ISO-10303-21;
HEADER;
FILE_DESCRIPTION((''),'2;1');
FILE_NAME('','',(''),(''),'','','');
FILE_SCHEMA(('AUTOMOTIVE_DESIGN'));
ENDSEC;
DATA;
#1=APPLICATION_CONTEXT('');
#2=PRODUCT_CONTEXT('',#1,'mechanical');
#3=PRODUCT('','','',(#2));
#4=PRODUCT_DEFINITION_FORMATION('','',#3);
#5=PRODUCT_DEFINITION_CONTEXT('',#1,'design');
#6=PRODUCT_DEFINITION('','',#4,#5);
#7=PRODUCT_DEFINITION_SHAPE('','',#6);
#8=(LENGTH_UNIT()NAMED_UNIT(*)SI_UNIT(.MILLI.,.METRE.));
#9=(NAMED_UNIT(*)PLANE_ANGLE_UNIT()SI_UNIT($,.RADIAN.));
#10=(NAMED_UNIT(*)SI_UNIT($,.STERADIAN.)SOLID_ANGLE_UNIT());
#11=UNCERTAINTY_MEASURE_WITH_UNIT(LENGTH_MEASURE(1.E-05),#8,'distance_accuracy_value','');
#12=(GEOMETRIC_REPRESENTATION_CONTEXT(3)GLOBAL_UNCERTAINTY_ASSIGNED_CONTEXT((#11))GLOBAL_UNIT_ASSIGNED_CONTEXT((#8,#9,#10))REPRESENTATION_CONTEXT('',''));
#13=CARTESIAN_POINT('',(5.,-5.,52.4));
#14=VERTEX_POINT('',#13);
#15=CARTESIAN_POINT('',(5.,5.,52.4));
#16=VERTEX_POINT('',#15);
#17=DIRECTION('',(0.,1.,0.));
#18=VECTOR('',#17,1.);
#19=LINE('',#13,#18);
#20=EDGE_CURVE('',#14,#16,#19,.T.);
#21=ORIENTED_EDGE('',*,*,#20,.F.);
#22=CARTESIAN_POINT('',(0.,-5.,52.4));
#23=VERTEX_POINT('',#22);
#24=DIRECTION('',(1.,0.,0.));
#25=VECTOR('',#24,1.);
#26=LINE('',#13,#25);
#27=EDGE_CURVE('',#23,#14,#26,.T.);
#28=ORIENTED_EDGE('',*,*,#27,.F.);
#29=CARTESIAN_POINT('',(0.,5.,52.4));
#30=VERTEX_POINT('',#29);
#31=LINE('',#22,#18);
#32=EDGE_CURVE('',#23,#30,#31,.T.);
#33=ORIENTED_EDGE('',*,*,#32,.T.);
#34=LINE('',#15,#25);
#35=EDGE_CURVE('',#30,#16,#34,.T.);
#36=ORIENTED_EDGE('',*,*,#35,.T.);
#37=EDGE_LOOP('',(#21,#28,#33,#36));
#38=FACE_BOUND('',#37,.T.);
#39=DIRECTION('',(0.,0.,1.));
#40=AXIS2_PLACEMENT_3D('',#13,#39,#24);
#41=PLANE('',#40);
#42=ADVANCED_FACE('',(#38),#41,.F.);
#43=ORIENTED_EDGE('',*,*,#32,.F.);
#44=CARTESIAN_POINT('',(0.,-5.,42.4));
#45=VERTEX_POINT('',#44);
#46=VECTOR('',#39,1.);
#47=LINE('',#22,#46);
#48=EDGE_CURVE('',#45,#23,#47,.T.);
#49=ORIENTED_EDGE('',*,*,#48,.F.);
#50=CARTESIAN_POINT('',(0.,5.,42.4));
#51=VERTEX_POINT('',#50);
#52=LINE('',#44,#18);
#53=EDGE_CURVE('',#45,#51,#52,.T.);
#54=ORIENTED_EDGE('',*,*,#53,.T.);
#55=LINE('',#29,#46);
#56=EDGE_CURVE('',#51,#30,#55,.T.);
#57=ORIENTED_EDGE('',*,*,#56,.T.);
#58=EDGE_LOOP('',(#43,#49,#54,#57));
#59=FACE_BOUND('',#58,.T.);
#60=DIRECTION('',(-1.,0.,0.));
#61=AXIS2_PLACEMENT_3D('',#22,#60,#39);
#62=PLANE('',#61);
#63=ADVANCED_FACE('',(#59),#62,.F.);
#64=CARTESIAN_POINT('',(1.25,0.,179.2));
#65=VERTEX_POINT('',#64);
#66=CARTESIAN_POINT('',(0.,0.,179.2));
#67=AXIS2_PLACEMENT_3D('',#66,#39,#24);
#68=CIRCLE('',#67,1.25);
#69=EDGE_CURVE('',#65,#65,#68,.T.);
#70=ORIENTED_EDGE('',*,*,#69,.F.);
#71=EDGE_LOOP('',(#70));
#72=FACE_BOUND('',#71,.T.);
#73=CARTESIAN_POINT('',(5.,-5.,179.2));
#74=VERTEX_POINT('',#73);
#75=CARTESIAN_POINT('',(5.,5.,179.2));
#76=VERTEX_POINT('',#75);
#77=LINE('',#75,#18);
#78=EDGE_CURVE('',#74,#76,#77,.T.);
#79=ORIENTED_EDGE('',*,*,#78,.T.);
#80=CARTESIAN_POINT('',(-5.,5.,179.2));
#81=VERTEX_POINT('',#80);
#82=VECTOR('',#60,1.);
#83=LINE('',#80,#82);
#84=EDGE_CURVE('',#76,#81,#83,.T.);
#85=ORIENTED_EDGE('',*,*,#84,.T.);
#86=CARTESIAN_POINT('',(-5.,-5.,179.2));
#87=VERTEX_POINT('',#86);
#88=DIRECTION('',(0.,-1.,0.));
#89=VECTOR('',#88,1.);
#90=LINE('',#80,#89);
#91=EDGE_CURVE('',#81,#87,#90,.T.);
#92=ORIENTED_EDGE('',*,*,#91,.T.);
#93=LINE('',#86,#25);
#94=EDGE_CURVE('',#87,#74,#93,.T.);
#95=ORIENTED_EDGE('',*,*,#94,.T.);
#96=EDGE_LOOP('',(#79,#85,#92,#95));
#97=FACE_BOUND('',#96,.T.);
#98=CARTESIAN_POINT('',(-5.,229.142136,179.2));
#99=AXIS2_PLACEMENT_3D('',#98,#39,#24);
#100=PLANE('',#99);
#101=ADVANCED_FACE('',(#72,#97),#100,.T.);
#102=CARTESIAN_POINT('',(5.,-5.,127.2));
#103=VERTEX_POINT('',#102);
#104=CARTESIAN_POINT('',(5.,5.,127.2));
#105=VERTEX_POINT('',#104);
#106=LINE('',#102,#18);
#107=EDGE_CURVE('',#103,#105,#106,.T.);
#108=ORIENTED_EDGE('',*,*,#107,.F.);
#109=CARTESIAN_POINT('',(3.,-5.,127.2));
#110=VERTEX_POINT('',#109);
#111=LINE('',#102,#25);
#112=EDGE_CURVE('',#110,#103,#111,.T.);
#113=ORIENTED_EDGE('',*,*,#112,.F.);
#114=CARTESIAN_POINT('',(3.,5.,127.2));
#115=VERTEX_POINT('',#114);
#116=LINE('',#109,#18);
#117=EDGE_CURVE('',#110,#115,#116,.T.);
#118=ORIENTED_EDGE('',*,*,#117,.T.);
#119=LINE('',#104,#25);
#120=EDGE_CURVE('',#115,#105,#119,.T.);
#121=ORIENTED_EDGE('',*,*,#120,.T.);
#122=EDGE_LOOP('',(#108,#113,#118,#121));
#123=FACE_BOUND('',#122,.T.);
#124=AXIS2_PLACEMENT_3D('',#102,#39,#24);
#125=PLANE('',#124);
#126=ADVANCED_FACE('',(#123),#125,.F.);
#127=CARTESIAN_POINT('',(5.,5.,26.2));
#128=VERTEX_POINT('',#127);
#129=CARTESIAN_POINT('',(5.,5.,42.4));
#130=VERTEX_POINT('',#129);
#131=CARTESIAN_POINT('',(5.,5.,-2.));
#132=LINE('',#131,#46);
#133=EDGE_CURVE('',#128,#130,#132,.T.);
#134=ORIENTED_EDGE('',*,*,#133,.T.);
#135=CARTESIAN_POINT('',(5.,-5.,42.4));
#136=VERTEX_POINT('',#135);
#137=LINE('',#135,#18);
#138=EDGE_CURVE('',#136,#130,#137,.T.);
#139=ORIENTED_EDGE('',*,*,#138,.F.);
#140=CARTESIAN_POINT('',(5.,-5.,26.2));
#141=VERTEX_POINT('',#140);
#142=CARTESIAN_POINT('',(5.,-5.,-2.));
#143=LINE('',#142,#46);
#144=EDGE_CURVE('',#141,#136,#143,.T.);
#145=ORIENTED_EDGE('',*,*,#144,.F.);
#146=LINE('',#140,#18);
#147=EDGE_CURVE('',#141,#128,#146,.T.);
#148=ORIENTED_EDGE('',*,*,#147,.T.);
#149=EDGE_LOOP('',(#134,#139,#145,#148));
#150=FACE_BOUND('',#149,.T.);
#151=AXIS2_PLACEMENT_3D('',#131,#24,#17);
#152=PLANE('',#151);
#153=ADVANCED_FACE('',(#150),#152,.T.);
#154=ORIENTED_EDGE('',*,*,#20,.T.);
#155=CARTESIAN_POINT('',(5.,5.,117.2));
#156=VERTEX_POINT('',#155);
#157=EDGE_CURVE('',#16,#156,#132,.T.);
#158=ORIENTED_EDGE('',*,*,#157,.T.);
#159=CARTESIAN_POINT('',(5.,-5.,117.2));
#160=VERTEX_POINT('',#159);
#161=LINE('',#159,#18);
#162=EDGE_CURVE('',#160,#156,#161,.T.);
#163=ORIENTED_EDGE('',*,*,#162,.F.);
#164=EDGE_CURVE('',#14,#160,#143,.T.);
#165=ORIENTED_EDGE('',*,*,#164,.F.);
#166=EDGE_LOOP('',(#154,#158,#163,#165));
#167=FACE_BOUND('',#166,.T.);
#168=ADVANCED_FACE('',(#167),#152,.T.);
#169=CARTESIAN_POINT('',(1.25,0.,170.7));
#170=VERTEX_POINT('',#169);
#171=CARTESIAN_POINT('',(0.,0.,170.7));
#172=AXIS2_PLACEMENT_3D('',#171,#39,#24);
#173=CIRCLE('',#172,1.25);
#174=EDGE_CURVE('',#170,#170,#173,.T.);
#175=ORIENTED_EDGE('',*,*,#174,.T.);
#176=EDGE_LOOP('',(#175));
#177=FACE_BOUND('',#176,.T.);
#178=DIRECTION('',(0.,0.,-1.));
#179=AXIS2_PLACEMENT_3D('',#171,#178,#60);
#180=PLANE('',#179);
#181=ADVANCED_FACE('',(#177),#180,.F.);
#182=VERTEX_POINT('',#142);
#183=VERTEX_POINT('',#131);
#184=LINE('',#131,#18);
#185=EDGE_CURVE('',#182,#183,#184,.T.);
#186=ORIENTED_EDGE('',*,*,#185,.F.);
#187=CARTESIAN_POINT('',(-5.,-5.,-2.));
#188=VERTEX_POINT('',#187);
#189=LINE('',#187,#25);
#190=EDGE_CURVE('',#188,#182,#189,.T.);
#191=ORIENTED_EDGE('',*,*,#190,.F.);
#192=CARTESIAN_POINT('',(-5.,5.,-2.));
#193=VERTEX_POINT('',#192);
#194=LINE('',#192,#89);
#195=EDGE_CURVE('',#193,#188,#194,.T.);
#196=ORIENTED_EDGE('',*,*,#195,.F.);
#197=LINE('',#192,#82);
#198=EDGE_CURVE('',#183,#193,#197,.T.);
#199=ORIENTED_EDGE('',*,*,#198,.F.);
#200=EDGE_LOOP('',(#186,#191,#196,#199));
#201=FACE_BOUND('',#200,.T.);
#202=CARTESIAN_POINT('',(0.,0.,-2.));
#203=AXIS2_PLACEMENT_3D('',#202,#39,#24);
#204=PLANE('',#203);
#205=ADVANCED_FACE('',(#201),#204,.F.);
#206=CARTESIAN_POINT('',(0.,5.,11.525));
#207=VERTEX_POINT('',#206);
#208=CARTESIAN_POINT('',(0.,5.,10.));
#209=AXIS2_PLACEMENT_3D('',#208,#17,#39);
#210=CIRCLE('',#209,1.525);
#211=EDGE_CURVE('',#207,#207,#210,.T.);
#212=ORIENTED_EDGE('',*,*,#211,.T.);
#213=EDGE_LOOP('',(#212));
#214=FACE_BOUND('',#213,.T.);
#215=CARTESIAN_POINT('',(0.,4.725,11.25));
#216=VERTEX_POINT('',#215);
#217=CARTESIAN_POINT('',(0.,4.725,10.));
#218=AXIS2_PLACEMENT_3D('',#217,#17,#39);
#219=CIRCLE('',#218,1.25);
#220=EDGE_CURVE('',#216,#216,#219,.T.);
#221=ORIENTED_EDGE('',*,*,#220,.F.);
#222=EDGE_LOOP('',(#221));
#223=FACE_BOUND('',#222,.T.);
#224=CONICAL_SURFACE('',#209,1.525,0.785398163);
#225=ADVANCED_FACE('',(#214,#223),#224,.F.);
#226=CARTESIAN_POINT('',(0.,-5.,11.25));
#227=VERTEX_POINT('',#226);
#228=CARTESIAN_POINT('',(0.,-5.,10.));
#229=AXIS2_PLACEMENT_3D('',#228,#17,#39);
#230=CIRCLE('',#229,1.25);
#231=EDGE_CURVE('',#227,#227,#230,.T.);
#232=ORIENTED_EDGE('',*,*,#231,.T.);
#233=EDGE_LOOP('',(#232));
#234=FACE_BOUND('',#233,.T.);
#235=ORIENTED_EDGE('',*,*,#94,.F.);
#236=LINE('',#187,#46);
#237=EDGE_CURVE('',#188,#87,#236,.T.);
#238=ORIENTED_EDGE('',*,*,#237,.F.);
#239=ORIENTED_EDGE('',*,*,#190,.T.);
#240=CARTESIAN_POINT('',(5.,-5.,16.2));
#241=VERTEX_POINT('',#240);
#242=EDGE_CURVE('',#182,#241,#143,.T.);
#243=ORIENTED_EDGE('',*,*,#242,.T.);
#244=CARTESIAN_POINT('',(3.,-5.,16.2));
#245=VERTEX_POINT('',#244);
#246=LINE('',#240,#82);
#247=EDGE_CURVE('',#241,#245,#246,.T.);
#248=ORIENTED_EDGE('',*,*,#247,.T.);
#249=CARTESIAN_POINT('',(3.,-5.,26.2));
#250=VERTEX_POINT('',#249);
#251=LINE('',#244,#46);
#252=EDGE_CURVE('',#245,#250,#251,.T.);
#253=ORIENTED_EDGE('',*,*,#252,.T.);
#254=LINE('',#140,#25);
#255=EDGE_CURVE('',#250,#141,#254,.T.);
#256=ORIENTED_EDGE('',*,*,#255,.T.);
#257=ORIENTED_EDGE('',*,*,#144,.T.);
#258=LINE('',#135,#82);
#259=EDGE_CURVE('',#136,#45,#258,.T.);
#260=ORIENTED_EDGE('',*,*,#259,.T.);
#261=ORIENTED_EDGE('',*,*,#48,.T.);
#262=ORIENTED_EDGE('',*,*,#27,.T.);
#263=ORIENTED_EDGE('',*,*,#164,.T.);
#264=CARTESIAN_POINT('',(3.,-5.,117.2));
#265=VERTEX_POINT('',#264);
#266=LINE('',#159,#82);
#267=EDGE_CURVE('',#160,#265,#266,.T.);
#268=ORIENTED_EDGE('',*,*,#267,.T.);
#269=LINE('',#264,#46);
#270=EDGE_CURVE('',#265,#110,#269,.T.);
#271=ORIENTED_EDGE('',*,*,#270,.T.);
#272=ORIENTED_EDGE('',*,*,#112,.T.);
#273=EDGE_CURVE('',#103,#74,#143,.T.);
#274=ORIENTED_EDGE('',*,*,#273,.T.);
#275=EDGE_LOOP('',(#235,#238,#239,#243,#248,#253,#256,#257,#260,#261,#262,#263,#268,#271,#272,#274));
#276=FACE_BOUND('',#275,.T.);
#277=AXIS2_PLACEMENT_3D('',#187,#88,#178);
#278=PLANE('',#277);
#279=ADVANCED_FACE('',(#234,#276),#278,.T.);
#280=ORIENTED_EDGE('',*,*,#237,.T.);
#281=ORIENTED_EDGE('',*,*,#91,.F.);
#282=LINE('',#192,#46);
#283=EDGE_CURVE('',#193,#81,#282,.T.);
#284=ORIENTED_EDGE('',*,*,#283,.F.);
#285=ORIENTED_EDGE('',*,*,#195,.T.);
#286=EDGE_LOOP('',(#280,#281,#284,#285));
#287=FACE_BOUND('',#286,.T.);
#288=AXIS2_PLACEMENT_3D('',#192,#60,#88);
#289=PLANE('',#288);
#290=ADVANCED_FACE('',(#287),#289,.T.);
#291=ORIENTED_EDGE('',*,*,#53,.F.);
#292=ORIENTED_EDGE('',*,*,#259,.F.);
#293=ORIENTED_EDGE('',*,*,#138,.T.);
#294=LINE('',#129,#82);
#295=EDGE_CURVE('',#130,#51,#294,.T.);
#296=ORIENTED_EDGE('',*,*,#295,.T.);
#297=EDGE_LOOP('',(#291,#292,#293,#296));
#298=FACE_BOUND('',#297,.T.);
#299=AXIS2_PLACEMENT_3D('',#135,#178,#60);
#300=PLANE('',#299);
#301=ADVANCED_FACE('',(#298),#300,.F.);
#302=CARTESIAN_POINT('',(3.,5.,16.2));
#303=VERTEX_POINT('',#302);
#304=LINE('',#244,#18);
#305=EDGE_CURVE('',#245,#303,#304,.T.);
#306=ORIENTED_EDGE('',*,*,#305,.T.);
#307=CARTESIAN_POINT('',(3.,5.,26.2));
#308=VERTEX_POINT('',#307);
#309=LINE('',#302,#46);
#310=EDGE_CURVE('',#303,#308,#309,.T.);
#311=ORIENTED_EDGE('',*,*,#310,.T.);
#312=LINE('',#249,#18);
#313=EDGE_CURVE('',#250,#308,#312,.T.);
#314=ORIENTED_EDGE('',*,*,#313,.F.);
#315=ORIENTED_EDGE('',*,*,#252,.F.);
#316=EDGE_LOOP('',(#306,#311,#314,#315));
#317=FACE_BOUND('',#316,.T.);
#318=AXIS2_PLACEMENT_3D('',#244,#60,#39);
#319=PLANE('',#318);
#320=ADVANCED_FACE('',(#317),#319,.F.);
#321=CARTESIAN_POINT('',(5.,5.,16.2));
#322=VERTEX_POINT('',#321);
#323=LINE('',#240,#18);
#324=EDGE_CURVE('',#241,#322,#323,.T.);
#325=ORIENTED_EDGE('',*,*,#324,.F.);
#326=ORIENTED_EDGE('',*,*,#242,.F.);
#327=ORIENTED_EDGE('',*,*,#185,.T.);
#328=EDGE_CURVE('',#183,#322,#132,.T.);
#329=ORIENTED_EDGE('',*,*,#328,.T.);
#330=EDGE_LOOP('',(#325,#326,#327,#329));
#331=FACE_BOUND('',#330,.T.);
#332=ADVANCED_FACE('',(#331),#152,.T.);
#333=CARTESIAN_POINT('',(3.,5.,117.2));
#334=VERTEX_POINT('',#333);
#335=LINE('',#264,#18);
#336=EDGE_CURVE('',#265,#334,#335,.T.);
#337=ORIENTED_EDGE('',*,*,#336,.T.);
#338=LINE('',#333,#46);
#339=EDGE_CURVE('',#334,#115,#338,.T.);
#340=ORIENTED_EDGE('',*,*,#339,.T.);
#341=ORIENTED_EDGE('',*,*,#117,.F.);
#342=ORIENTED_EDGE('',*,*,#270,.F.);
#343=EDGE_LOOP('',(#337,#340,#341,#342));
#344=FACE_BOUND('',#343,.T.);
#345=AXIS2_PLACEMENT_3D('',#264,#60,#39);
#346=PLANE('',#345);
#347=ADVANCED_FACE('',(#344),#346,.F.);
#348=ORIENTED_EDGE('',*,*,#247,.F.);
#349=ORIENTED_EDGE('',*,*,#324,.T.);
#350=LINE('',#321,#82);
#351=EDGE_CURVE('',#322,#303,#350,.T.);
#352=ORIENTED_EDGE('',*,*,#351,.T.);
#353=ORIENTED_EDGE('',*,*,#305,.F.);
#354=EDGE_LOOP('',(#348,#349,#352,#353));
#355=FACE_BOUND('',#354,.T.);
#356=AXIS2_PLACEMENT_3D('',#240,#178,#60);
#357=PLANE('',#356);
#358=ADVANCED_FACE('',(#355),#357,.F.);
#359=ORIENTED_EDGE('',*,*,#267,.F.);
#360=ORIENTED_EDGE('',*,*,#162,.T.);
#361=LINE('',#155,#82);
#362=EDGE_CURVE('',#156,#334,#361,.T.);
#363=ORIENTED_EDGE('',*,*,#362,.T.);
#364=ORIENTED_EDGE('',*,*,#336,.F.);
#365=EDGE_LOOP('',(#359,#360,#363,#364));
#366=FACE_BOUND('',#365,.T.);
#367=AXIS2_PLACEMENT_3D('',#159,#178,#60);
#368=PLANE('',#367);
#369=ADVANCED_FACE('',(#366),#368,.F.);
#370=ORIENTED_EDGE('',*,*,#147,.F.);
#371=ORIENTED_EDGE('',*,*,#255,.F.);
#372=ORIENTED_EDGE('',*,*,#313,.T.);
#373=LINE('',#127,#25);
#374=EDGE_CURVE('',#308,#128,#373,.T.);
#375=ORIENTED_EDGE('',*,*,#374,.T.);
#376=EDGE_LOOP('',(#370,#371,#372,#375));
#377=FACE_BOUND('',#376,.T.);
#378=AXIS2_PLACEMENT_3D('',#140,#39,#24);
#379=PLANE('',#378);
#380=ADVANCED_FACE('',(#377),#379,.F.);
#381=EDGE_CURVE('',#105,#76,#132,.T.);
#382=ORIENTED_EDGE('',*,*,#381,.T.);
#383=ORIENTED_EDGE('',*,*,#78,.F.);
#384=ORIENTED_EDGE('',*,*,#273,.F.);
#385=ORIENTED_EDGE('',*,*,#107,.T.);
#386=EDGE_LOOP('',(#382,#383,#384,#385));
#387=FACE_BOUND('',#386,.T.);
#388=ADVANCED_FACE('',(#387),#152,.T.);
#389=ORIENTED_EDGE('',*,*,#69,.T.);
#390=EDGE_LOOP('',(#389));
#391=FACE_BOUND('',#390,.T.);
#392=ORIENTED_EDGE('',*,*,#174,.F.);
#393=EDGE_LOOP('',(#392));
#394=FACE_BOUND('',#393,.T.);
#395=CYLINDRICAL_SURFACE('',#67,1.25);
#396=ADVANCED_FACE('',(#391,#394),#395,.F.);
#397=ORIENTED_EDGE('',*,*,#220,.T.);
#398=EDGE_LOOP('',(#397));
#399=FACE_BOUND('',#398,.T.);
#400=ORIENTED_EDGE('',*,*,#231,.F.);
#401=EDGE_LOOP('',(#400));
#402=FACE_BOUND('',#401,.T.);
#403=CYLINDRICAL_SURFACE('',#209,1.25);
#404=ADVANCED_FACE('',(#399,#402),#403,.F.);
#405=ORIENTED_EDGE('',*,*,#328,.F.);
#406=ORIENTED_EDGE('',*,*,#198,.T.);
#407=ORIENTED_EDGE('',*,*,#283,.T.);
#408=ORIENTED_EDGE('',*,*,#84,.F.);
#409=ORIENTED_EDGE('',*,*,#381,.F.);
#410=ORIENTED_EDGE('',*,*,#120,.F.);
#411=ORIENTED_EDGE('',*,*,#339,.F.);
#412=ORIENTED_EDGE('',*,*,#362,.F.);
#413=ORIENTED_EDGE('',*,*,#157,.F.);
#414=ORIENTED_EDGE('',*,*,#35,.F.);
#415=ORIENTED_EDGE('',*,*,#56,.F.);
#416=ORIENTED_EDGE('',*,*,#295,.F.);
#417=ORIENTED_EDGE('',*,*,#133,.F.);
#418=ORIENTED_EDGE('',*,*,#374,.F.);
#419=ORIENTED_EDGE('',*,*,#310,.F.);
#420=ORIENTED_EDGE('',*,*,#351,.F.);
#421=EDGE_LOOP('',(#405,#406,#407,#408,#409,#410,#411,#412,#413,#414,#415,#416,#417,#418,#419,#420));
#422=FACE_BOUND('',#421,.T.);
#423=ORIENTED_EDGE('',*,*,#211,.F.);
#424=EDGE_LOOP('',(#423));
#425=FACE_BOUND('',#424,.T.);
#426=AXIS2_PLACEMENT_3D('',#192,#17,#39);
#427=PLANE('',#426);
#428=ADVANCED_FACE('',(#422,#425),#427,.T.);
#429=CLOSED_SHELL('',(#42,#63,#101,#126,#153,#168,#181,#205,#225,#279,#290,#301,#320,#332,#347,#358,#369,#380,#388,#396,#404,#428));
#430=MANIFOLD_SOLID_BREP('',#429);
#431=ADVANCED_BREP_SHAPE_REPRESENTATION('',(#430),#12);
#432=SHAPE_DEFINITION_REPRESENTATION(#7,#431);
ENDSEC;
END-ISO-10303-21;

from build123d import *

# Parameters (mm, degrees)
BOSS_EXTRU_1_DEPTH              = 179.2
BOSS_EXTRU_1_DEPTH_BACK         = 2
ESQUISSE1_W                     = 10
ESQUISSE1_H                     = 10
ESQUISSE2_W                     = 2
ESQUISSE2_H                     = 10
ESQUISSE2_W_2                   = 5
ENL_V_MAT_EXTRU_1_DEPTH         = 180.548433577
TROU_TARAUD_M3X0_51_D           = 2.5
TROU_TARAUD_M3X0_51_CSINK_D     = 3.05
TROU_TARAUD_M3X0_51_CSINK_ANGLE = 90
TROU_TARAUD_M3X0_52_D           = 2.5
TROU_TARAUD_M3X0_52_DEPTH       = 8.5


with BuildPart() as part:
    # Esquisse1 → Boss.-Extru.1 (new, two sides: drawn at the far end of the back side and taken through both)
    with BuildSketch(Plane.XY.offset(-BOSS_EXTRU_1_DEPTH_BACK)):
        Rectangle(ESQUISSE1_W, ESQUISSE1_H)
    extrude(amount=BOSS_EXTRU_1_DEPTH + BOSS_EXTRU_1_DEPTH_BACK)

    # Esquisse2 → Enlèv. mat.-Extru.1 (cut, through all)
    with BuildSketch(Plane(origin=(0, 5, 0), x_dir=(1, 0, 0), z_dir=(0, 1, 0))):
        with Locations((4, -122.2)):
            Rectangle(ESQUISSE2_W, ESQUISSE2_H)
        with Locations((4, -21.2)):
            Rectangle(ESQUISSE2_W, ESQUISSE2_H)
        with Locations((2.5, -47.4)):
            Rectangle(ESQUISSE2_W_2, ESQUISSE2_H)
    extrude(amount=-ENL_V_MAT_EXTRU_1_DEPTH, mode=Mode.SUBTRACT)

    # Trou taraudé M3x0.51 (through all)
    with Locations(Plane(origin=(0, 5, 0), x_dir=(1, 0, 0), z_dir=(0, 1, 0))):
        with Locations((0, -10)):
            CounterSinkHole(TROU_TARAUD_M3X0_51_D / 2, TROU_TARAUD_M3X0_51_CSINK_D / 2, counter_sink_angle=TROU_TARAUD_M3X0_51_CSINK_ANGLE)

    # Trou taraudé M3x0.52
    with Locations(Plane.XY.offset(179.2)):
        with Locations((0, 0)):
            Hole(TROU_TARAUD_M3X0_52_D / 2, depth=TROU_TARAUD_M3X0_52_DEPTH)


solid = part.part
